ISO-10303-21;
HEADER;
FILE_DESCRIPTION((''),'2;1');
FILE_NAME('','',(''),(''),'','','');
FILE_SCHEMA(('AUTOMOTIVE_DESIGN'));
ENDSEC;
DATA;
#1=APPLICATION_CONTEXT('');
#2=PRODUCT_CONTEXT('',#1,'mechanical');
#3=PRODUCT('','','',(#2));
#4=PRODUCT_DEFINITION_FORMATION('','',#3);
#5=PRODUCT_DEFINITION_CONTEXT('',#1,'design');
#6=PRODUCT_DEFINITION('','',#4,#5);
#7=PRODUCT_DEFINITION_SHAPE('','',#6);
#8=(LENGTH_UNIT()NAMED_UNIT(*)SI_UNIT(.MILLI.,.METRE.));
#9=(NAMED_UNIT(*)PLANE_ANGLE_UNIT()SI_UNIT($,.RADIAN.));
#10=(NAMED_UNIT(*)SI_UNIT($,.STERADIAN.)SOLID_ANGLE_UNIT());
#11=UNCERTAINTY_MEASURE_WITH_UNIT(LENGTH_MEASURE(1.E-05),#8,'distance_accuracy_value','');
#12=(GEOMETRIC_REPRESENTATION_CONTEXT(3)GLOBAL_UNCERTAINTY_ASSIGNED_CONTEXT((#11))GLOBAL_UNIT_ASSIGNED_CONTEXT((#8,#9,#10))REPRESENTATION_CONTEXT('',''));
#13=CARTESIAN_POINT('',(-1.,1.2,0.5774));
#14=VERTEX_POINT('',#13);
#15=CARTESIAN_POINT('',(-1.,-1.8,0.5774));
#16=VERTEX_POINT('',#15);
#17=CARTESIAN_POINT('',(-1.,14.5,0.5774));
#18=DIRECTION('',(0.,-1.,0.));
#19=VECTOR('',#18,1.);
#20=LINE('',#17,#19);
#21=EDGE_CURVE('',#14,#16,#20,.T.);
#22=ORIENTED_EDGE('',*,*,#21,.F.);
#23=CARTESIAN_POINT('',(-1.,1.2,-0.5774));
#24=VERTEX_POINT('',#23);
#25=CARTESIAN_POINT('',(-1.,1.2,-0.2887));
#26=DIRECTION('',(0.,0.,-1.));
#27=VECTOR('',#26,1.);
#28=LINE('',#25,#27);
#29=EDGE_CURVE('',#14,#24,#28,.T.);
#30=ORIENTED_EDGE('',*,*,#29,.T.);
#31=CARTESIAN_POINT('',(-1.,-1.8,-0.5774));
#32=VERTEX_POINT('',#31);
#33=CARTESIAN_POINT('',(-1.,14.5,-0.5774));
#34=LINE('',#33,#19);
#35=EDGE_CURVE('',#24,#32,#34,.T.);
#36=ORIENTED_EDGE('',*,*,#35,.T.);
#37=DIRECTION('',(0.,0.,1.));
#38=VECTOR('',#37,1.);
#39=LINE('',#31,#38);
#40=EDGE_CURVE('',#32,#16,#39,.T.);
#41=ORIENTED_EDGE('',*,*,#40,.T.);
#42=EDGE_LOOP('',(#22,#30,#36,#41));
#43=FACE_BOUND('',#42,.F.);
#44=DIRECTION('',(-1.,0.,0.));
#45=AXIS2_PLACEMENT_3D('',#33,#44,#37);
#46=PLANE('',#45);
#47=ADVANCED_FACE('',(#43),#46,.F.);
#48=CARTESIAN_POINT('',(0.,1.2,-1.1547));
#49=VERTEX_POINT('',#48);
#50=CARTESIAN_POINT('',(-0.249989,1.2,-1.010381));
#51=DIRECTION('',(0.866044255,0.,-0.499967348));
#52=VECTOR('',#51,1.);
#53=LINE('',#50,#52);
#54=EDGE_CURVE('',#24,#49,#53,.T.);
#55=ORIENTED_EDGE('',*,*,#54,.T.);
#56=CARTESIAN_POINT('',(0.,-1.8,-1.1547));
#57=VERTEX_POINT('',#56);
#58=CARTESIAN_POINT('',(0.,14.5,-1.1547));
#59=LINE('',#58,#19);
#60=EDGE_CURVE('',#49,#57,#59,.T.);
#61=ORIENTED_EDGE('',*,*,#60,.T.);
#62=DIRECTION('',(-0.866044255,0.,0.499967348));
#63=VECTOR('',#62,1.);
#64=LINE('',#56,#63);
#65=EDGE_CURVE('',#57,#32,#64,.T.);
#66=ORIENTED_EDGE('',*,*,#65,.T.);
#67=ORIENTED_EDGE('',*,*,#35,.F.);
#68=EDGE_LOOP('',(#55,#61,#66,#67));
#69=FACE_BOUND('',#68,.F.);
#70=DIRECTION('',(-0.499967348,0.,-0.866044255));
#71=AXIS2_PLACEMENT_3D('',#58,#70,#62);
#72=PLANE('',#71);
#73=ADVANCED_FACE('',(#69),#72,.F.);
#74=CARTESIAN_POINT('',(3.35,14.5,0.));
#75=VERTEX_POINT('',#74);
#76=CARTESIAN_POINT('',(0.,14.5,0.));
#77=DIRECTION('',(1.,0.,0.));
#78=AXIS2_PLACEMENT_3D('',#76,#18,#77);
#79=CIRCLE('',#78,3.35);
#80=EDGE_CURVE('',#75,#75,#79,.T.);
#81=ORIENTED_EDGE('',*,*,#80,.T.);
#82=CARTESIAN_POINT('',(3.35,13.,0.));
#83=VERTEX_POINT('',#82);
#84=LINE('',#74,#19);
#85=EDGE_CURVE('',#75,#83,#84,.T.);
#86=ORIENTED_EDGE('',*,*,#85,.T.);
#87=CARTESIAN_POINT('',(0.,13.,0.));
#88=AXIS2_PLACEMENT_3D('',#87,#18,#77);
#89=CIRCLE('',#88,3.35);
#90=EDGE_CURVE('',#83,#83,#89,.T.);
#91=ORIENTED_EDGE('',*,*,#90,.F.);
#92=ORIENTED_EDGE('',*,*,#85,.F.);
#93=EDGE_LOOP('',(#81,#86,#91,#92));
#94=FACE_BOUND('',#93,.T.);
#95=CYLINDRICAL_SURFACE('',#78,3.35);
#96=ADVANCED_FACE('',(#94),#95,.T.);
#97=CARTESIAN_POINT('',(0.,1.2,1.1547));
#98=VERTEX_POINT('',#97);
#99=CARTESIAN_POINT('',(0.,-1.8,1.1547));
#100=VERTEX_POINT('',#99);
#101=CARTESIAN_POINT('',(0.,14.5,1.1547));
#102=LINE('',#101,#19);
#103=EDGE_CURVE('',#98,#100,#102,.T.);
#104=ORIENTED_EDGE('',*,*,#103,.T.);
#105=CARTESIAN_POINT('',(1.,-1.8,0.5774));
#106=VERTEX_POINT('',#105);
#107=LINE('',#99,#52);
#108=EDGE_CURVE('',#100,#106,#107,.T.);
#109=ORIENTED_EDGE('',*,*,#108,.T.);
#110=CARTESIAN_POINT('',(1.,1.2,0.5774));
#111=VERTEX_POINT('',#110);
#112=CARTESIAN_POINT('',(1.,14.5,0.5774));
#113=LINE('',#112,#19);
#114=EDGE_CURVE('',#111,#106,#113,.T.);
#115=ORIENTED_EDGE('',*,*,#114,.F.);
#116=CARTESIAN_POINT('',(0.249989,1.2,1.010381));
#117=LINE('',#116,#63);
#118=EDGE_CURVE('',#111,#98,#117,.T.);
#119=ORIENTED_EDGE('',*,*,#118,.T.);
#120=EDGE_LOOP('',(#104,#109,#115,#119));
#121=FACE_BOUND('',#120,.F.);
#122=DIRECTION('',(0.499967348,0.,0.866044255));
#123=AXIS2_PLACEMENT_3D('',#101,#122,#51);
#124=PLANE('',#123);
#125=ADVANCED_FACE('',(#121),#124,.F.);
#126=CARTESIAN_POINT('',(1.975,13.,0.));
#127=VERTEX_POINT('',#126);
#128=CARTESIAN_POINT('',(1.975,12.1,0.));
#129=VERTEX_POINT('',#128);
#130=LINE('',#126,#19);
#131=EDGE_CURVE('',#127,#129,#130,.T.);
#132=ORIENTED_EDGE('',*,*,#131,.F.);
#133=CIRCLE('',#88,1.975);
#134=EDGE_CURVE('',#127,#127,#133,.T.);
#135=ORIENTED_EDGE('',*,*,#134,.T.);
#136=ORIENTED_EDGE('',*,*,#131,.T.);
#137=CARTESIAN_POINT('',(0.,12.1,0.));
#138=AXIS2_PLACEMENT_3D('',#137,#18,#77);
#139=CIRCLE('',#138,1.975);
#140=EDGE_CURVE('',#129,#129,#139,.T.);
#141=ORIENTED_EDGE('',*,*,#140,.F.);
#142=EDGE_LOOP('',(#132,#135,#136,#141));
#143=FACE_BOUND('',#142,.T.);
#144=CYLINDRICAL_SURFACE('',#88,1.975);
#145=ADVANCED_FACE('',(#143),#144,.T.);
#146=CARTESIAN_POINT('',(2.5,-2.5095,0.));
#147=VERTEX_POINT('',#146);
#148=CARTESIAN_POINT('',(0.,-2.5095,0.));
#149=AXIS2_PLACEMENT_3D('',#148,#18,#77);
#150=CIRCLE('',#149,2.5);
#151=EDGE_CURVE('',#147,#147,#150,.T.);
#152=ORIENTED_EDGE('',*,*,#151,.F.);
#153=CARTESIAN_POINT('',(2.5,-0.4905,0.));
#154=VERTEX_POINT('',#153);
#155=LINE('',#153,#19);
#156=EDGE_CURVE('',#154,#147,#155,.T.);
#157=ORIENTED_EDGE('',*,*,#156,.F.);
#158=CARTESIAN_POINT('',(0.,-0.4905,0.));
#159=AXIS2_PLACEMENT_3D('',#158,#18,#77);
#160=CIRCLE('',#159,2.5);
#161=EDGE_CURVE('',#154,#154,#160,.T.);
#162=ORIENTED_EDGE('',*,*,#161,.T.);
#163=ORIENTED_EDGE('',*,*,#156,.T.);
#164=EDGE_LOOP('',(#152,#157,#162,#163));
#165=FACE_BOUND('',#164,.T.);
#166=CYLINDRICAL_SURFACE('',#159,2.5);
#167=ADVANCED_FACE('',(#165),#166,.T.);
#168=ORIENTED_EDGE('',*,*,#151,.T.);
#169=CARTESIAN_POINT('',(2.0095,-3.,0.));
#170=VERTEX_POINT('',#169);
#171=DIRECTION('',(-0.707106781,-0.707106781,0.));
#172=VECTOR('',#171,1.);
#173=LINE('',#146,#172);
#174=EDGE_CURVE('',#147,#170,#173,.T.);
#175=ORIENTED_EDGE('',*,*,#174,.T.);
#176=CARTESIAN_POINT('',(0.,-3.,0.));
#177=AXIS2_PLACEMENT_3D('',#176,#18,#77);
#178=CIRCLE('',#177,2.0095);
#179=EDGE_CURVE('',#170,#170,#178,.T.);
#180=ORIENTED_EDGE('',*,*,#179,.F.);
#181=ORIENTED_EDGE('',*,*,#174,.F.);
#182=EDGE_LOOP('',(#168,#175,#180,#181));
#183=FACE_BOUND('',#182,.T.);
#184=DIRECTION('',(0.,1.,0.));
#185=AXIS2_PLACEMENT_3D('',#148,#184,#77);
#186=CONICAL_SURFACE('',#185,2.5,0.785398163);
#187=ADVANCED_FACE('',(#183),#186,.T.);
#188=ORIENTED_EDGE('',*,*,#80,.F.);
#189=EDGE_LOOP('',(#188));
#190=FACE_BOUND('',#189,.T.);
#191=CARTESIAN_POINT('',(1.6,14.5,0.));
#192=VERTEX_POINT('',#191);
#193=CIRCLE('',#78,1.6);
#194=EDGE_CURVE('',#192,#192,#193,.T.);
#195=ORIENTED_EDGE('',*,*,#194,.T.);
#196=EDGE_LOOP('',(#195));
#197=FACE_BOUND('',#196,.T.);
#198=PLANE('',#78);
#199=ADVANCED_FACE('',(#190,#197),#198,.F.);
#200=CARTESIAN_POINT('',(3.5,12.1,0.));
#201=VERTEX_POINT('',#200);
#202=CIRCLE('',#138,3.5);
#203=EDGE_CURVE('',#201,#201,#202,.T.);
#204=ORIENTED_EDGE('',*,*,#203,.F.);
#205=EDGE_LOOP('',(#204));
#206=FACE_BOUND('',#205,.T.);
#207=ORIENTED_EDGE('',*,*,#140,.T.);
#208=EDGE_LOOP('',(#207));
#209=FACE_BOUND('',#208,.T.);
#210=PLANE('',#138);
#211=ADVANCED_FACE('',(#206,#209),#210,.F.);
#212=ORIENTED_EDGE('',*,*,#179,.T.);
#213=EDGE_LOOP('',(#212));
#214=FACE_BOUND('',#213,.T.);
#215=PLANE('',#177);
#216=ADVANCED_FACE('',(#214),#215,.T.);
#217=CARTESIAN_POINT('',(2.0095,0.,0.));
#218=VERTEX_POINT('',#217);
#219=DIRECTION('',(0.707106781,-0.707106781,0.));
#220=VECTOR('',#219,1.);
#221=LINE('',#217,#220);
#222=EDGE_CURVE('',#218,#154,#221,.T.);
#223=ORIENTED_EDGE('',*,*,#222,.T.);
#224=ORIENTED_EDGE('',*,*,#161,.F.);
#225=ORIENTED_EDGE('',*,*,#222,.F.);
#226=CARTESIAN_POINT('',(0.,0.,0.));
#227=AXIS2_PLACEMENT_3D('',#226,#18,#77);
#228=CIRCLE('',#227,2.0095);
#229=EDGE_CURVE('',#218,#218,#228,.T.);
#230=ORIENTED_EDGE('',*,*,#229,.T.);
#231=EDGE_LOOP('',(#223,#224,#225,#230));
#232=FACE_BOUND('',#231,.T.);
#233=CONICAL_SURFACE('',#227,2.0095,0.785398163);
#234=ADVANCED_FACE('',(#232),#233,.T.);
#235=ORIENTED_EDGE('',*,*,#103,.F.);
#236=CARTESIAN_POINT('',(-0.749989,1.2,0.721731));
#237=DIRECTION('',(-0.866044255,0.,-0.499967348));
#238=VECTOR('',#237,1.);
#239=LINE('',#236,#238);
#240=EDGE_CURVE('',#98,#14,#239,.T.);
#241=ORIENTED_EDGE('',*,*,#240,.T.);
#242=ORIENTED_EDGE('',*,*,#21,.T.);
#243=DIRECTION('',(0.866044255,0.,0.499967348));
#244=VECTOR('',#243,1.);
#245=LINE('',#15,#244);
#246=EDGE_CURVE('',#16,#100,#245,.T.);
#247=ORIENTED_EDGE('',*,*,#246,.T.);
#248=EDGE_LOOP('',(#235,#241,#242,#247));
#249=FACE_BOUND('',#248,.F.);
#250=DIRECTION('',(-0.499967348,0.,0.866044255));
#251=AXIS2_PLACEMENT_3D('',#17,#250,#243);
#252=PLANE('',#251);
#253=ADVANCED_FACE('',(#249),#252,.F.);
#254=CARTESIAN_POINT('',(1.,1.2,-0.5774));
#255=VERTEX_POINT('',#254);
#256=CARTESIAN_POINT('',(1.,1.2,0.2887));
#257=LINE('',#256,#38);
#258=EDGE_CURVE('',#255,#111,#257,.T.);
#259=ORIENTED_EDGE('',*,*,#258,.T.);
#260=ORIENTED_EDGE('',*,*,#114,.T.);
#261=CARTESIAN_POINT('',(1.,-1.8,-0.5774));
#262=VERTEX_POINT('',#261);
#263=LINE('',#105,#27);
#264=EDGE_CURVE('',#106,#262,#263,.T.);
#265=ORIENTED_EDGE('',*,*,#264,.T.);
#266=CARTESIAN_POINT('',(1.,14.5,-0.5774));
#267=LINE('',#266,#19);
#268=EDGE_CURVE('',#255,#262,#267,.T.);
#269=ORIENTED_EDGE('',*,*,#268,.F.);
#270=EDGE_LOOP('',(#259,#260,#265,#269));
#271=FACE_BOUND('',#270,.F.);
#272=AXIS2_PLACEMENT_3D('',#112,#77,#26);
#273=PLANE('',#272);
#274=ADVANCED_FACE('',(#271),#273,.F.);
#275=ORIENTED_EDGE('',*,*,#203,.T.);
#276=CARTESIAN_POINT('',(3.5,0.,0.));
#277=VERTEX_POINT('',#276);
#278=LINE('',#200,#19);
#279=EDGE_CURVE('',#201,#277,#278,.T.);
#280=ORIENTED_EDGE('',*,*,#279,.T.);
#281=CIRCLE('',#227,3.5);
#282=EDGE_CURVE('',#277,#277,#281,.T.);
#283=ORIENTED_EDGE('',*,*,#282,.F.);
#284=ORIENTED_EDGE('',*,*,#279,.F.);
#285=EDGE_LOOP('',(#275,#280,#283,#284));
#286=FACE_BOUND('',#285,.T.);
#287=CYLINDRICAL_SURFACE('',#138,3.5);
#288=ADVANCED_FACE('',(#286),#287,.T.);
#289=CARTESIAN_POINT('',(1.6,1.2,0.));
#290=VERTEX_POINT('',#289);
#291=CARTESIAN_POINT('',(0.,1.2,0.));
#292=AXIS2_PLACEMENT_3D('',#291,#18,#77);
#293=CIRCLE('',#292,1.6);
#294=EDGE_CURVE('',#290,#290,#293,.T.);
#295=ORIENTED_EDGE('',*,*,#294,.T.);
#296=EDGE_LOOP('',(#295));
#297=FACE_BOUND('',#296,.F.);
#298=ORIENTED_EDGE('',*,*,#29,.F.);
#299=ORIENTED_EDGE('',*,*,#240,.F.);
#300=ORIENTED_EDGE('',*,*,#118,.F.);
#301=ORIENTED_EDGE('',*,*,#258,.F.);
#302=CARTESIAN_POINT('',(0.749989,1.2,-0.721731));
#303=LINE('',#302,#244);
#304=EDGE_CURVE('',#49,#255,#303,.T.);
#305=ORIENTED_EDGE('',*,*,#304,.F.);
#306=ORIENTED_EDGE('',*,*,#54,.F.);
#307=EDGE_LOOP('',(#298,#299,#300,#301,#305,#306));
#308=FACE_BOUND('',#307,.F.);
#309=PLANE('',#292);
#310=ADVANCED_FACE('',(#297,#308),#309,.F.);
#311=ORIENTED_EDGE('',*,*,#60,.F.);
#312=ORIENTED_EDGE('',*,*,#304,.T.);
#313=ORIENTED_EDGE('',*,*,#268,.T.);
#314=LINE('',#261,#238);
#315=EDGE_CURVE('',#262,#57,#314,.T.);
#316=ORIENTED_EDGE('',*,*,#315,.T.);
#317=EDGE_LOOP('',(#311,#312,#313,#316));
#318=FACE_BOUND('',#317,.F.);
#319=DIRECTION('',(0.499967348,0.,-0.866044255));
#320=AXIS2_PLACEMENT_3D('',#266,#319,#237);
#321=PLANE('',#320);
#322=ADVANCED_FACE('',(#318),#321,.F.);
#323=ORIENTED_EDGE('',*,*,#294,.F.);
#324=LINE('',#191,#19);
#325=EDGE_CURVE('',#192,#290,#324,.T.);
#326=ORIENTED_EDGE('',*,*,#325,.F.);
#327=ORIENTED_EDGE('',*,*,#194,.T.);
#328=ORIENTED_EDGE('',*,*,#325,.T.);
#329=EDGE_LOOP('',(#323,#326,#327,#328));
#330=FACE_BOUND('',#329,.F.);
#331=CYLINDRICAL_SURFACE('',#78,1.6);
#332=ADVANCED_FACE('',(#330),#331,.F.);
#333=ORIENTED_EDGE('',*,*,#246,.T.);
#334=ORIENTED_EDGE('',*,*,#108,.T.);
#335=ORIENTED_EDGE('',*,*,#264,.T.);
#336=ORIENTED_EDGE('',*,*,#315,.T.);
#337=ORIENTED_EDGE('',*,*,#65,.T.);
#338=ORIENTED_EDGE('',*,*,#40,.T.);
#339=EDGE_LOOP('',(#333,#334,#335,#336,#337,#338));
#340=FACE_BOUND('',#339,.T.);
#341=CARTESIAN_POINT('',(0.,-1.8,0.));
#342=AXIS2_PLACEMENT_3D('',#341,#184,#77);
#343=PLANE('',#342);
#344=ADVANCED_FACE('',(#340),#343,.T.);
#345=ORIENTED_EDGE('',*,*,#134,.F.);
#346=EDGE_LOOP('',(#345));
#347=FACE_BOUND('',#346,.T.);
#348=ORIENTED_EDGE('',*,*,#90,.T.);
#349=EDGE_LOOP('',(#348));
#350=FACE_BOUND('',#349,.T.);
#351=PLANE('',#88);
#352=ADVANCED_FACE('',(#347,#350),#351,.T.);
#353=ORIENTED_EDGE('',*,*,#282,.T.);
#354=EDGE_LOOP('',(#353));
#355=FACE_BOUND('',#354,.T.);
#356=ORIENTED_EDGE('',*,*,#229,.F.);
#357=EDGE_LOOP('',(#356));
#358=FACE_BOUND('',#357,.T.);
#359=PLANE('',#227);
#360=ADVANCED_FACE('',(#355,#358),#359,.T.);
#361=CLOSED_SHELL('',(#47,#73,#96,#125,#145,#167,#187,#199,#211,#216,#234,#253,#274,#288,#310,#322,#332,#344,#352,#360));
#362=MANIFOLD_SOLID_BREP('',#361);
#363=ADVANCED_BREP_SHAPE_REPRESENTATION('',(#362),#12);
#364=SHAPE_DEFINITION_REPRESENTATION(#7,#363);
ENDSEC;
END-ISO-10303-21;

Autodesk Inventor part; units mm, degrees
ref_plane "YZ Plane" through (0, 0, 0) normal (1, 0, 0) x (0, 1, 0)
ref_plane "XZ Plane" through (0, 0, 0) normal (0, 1, 0) x (-1, 0, 0)
ref_plane "XY Plane" through (0, 0, 0) normal (0, 0, 1) x (1, 0, 0)
sketch "Sketch_1" plane through (0, 0, 0) normal (0, 0, 1) x (1, 0, 0)
  line L0 (0, -3) -> (0, 14.5)
  line L1 (0, 14.5) -> (3.35, 14.5)
  line L2 (3.35, 14.5) -> (3.35, 13)
  line L3 (3.35, 13) -> (1.975, 13)
  line L4 (1.975, 13) -> (1.975, 12.1)
  line L5 (1.975, 12.1) -> (3.5, 12.1)
  line L6 (3.5, 12.1) -> (3.5, 0)
  line L7 (3.5, 0) -> (2.0095, 0)
  line L8 (2.0095, 0) -> (2.5, -0.4905)
  line L9 (2.5, -0.4905) -> (2.5, -2.5095)
  line L10 (2.5, -2.5095) -> (2.0095, -3)
  line L11 (2.0095, -3) -> (0, -3)
  line L12 (0, -3) -> (0, 14.5)
revolve "Revolution1" add sketch "Sketch_1" angle 360 about axis through (0, -3, 0) along (0, -1, 0)
thread "Thread1" size "M5x0.8" class "6g" standard "ISO Metric profile" full length
sketch "Sketch_2" plane through (0, 0, 0) normal (0, 0, 1) x (1, 0, 0)
  line L0 (0, 1.2) -> (0, 14.5)
  line L1 (0, 14.5) -> (1.6, 14.5)
  line L2 (1.6, 14.5) -> (1.6, 1.2)
  line L3 (1.6, 1.2) -> (0, 1.2)
  line L4 (0, 1.2) -> (0, 14.5)
revolve "Revolution2" cut sketch "Sketch_2" angle 360 about axis through (0, 1.2, 0) along (0, -1, 0)
sketch "Sketch_3" plane through (0, 14.5, 0) normal (0, 1, 0) x (1, 0, 0)
  line L0 (-1, 0.5774) -> (-1, -0.5774)
  line L1 (-1, -0.5774) -> (0, -1.1547)
  line L2 (0, -1.1547) -> (1, -0.5774)
  line L3 (1, -0.5774) -> (1, 0.5774)
  line L4 (1, 0.5774) -> (0, 1.1547)
  line L5 (0, 1.1547) -> (-1, 0.5774)
extrude "Extrusion1" cut sketch "Sketch_3" against normal blind 16.3
properties part number "KQ2S23-M5N N"
